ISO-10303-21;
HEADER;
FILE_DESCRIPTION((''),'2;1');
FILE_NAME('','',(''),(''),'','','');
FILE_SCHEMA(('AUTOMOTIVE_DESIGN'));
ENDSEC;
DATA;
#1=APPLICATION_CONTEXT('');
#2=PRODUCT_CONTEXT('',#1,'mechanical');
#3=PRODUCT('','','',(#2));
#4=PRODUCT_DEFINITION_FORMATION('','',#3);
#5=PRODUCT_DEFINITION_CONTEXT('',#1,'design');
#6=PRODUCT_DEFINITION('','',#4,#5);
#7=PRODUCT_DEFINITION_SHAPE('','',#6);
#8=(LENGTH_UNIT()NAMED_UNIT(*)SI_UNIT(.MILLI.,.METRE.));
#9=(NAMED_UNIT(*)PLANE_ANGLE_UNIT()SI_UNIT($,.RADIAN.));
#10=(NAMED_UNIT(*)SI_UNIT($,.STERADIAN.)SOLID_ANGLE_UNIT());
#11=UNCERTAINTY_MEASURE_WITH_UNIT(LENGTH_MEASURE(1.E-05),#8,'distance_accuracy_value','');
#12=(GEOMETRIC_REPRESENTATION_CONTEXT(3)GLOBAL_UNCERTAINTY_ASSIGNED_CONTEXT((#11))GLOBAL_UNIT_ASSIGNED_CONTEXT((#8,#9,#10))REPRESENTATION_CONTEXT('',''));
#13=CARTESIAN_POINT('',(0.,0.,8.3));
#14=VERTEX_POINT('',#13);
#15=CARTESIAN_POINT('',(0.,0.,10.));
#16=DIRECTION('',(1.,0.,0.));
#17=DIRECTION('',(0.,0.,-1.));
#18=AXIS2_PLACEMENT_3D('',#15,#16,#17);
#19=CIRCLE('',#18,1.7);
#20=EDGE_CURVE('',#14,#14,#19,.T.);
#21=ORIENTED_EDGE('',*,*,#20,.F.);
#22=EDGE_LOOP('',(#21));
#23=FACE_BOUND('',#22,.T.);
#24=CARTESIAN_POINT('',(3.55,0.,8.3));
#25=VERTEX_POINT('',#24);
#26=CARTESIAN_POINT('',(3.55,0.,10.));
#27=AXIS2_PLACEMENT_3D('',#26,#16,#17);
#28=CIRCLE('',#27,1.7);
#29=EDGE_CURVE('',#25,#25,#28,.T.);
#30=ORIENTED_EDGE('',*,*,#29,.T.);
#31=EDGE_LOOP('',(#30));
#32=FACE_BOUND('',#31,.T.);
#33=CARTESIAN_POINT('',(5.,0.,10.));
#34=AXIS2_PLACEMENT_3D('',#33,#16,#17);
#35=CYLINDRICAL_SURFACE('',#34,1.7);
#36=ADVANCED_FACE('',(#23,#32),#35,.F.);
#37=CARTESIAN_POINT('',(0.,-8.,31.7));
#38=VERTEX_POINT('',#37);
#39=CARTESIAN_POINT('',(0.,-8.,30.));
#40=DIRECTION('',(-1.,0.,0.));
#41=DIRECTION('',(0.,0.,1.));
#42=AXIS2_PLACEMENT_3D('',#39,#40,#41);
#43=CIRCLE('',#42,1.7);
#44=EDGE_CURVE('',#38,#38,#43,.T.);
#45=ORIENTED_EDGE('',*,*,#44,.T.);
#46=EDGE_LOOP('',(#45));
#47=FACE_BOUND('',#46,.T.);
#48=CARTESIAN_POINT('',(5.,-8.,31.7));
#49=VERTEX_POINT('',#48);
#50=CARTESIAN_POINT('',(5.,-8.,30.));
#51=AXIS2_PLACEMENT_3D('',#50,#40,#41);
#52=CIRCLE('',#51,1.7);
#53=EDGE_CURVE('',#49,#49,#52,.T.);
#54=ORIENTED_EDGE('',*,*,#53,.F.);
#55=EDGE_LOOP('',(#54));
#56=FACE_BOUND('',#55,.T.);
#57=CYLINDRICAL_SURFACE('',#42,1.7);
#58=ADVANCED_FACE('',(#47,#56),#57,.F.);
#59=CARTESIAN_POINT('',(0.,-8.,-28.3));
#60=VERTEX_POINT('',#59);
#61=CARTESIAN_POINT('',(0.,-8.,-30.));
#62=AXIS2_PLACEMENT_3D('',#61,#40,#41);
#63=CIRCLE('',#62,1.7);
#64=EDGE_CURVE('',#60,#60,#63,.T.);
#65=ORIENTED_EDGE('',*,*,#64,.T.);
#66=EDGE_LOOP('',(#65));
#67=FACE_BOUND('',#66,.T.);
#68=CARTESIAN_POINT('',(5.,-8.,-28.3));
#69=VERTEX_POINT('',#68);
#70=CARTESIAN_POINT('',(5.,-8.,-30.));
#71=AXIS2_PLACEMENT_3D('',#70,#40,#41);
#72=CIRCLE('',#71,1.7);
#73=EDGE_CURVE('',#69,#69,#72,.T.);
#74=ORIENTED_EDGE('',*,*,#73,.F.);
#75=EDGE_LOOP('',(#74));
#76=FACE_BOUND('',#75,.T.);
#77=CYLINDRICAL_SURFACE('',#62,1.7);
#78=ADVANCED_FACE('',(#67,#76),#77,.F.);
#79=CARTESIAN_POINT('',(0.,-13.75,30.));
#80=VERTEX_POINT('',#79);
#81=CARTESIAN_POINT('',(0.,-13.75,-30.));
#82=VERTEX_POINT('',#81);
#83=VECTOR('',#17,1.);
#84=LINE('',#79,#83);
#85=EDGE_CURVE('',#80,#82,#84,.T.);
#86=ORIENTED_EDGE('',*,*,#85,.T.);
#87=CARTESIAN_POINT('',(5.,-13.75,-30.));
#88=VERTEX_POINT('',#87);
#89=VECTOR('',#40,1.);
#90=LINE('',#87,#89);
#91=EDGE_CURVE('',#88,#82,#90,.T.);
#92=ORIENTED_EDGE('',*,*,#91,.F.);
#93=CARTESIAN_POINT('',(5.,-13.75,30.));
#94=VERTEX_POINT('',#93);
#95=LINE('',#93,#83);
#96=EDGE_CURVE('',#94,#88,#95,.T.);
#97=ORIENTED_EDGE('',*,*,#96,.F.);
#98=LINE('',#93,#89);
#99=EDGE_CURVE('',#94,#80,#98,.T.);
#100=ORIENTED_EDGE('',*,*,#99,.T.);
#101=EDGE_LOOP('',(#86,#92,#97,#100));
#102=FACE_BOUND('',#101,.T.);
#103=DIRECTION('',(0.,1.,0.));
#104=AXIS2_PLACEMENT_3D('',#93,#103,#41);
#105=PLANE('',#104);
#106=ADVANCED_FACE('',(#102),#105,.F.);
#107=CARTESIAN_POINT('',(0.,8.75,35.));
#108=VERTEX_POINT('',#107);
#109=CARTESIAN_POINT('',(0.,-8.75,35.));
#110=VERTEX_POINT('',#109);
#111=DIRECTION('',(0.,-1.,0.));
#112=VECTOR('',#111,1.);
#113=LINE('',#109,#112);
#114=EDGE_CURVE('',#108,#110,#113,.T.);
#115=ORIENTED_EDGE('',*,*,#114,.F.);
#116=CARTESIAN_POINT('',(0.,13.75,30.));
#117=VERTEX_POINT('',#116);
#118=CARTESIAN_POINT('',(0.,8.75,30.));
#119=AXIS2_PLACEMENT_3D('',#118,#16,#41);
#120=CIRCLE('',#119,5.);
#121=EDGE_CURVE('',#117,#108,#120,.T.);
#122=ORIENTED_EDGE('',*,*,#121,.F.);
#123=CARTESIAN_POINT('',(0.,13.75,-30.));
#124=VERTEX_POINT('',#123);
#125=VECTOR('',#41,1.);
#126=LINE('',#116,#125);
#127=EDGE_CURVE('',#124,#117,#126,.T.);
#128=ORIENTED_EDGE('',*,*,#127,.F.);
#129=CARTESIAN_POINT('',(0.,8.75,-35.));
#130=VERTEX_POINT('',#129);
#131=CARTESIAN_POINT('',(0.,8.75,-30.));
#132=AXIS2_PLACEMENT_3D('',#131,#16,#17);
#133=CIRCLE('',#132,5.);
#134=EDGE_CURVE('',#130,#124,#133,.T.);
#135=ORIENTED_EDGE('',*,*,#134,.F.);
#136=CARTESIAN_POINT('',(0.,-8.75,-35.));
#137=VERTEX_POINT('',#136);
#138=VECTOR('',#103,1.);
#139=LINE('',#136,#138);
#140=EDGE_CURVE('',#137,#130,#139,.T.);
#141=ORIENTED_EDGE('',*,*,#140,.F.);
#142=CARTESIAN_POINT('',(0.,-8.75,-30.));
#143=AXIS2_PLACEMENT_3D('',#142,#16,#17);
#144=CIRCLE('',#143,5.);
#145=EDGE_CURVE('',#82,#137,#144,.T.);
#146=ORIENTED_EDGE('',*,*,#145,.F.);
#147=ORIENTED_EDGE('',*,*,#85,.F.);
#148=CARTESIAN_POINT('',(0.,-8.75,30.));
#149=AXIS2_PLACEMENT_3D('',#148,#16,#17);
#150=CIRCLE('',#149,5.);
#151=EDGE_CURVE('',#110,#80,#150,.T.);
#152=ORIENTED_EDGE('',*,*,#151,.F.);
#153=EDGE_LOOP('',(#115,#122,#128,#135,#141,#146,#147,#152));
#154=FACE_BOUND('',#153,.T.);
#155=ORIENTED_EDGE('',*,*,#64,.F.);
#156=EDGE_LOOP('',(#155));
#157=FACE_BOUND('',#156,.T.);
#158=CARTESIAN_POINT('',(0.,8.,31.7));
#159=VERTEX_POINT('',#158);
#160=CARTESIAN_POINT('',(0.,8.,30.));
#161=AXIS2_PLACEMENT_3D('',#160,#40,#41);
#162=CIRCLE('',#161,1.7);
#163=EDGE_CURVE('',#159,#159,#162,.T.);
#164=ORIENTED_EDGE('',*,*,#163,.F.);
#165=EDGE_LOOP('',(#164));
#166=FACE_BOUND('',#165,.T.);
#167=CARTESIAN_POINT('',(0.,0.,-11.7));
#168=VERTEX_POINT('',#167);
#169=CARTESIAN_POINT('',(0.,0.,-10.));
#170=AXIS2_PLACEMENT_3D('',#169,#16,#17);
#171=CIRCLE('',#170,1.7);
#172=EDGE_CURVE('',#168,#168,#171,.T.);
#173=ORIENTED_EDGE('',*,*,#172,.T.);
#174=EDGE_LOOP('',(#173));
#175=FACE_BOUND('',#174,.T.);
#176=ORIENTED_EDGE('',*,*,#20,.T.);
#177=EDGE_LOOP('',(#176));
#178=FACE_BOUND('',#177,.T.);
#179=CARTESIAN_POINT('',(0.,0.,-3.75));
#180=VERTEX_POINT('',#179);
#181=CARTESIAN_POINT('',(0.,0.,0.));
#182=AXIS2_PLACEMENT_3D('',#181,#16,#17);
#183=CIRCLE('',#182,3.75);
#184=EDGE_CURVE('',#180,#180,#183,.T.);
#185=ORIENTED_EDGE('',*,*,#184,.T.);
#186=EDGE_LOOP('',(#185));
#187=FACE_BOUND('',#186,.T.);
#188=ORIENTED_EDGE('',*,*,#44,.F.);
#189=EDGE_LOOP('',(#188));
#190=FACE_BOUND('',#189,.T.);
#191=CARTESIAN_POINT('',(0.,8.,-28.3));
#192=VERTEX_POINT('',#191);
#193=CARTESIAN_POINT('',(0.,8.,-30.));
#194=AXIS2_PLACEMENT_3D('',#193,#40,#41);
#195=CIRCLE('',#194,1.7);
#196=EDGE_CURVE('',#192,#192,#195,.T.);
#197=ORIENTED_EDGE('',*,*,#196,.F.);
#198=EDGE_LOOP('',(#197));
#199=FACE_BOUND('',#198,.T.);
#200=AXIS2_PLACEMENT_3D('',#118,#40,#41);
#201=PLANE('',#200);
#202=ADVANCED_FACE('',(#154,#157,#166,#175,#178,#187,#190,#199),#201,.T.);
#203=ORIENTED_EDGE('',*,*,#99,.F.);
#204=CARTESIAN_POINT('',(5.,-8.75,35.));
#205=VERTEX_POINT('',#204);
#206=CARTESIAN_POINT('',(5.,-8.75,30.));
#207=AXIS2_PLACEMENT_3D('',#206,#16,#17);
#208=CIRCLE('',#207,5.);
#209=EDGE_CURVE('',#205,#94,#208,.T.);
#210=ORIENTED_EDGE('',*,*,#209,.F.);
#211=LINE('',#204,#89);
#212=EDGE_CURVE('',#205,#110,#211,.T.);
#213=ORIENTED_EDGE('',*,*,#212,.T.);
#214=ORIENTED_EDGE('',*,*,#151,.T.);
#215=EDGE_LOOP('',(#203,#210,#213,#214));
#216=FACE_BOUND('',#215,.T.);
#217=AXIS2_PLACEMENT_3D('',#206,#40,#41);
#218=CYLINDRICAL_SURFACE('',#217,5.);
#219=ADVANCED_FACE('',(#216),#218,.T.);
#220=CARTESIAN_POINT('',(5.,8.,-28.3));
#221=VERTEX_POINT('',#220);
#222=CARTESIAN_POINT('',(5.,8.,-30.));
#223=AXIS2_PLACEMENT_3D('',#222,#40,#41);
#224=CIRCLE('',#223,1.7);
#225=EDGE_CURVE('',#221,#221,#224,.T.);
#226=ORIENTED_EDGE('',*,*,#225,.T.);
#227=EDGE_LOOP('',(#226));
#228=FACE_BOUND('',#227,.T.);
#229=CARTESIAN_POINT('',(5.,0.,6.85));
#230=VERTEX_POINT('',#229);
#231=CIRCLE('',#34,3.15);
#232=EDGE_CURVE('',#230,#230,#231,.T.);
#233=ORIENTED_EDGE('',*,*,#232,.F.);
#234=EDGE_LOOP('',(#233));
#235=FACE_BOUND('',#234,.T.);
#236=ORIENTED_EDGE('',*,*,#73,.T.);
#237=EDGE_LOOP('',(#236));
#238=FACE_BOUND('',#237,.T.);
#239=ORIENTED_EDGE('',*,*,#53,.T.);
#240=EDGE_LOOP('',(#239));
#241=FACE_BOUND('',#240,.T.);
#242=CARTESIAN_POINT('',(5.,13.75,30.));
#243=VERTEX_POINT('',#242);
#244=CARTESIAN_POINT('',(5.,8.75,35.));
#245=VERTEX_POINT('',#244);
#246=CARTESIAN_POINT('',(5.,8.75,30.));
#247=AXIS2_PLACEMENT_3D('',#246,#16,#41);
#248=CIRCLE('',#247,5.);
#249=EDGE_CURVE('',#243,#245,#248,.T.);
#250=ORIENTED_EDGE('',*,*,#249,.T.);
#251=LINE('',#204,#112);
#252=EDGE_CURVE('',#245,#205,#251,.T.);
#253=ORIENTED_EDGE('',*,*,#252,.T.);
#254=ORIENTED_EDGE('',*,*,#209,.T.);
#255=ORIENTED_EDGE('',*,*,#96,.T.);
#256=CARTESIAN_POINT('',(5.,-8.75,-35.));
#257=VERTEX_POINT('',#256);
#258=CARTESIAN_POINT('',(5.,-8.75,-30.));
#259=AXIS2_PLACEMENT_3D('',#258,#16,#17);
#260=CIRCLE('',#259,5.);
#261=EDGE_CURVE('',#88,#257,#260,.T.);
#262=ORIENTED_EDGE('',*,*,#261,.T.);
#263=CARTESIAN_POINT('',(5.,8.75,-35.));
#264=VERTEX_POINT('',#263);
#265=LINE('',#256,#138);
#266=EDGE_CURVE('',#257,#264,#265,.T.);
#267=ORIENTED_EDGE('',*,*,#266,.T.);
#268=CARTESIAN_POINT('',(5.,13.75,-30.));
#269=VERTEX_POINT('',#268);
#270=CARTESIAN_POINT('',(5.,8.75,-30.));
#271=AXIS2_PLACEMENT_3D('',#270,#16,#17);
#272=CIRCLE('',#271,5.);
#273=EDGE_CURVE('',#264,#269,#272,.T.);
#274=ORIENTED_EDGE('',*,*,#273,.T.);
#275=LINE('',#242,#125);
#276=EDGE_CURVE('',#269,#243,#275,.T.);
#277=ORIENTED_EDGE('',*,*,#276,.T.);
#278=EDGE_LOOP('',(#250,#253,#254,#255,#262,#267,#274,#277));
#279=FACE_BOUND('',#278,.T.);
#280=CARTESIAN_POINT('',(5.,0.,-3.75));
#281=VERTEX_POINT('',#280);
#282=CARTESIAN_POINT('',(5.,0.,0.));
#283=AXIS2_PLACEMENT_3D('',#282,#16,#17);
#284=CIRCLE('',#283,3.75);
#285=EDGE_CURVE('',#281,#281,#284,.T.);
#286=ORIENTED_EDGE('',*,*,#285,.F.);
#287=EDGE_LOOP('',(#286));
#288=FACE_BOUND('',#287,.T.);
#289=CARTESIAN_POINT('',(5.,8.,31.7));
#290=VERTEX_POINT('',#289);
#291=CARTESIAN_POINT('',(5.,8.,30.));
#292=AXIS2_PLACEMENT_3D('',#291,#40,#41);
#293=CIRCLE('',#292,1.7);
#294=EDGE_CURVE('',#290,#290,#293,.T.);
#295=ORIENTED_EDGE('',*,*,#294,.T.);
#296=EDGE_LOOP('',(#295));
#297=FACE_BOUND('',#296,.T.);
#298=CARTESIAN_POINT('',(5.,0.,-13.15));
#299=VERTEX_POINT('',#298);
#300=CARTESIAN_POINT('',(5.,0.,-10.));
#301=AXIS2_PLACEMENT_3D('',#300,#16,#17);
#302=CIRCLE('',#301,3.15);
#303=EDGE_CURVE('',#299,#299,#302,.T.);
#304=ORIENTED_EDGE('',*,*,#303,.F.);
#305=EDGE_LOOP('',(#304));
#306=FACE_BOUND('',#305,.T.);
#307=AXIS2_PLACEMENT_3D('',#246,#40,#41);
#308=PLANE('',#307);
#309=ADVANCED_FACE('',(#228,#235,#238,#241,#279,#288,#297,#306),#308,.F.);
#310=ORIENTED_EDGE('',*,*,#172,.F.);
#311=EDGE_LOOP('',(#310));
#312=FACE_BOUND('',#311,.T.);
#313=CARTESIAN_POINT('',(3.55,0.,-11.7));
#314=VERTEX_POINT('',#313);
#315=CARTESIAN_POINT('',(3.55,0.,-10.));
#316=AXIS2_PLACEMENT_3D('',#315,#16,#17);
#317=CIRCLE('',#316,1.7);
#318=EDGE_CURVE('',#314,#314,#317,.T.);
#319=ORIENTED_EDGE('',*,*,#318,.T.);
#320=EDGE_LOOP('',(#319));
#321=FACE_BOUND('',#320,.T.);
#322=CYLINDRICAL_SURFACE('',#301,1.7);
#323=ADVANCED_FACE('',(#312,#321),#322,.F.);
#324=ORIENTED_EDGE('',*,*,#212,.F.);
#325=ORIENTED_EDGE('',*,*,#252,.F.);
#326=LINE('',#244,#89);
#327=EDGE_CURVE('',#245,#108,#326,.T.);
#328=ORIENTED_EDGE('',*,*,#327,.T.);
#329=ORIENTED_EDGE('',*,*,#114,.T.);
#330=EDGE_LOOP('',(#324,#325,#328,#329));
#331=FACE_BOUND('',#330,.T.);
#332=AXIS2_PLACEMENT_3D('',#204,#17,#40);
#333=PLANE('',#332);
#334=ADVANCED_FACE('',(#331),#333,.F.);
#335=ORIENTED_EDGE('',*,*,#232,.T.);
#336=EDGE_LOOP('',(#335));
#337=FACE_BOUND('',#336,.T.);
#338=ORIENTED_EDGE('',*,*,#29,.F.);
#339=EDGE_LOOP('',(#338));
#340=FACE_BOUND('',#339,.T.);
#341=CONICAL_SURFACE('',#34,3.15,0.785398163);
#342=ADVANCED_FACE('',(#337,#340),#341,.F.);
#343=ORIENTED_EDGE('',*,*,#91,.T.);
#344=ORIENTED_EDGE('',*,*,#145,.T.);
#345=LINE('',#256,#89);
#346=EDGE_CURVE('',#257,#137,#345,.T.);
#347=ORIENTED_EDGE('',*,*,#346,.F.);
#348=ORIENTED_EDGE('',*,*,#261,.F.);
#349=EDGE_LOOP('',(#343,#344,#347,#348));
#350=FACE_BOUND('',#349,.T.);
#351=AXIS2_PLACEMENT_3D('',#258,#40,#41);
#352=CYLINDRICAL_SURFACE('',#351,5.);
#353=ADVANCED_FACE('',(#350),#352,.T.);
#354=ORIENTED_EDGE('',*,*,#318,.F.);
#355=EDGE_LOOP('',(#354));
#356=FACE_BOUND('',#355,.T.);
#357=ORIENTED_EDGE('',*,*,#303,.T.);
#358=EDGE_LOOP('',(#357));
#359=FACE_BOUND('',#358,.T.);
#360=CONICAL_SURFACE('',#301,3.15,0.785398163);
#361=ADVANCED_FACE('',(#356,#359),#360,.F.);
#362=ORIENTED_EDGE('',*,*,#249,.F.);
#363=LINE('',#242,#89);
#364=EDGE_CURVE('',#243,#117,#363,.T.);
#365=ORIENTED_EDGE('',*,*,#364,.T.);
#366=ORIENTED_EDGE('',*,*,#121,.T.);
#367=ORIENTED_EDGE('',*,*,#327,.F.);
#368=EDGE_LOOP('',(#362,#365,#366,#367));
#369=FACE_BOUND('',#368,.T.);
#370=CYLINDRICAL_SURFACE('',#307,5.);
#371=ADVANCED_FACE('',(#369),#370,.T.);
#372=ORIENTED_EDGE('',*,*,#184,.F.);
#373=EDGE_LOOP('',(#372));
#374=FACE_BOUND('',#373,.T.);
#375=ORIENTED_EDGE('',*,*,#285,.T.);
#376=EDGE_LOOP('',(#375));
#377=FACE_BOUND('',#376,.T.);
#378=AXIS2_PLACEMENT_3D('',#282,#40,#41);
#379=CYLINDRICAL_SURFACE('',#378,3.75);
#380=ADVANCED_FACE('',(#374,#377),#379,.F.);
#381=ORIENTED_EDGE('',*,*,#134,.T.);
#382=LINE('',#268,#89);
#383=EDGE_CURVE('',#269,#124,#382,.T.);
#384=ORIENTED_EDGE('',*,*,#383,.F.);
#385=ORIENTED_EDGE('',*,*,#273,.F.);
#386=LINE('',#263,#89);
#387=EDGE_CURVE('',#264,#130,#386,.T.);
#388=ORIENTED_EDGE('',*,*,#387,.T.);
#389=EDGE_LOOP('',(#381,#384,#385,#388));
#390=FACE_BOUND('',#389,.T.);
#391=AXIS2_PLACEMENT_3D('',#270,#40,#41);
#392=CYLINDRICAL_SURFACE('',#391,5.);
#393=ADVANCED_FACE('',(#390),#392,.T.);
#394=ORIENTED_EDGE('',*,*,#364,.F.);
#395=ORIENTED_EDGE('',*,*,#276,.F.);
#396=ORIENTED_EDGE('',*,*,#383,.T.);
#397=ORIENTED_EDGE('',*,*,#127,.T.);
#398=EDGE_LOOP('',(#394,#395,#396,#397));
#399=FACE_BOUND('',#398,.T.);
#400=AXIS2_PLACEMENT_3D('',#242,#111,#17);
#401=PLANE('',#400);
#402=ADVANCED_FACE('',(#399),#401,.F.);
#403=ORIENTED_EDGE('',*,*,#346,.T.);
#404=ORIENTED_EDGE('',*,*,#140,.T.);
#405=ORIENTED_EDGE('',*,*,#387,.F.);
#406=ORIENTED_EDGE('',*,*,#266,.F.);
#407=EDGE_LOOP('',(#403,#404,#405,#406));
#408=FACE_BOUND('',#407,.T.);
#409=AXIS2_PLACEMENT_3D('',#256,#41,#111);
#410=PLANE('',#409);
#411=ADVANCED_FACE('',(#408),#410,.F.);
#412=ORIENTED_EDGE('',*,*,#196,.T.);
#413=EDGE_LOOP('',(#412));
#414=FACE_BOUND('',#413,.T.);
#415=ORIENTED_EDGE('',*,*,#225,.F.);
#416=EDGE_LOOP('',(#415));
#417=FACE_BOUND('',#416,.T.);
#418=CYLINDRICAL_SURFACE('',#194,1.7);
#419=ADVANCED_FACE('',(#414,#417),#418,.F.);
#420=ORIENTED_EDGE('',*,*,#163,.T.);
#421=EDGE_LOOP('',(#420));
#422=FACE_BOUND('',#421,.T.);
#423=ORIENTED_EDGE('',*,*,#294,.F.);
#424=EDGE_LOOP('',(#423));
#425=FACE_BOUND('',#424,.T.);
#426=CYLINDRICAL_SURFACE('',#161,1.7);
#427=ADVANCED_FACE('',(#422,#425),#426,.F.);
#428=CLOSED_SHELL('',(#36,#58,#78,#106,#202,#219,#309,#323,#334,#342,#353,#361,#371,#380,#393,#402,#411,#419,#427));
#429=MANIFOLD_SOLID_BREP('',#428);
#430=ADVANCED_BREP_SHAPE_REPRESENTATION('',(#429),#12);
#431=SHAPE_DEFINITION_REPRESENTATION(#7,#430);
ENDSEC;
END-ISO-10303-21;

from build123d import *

# Parameters (mm, degrees)
SKETCH1_R                                           = 3.75
BOSS_EXTRUDE1_DEPTH                                 = 5
CSK_FOR_M3_COUNTERSUNK_FLAT_HEAD_SCREW1_D           = 3.4
CSK_FOR_M3_COUNTERSUNK_FLAT_HEAD_SCREW1_CSINK_D     = 6.3
CSK_FOR_M3_COUNTERSUNK_FLAT_HEAD_SCREW1_CSINK_ANGLE = 90
M3_CLEARANCE_HOLE3_D                                = 3.4
M3_CLEARANCE_HOLE3_DEPTH                            = 5
M3_CLEARANCE_HOLE3_TIP                              = 1.021463052


with BuildPart() as part:
    # Sketch1 → Boss-Extrude1 (new body)
    with BuildSketch(Plane(origin=(0, 0, 0), x_dir=(0, 0, -1), z_dir=(1, 0, 0))):
        with BuildLine():
            Line((-30, -13.75), (30, -13.75))
            ThreePointArc((30, -13.75), (33.535533906, -12.285533906), (35, -8.75))
            Line((35, -8.75), (35, 8.75))
            ThreePointArc((35, 8.75), (33.535533906, 12.285533906), (30, 13.75))
            Line((30, 13.75), (-30, 13.75))
            ThreePointArc((-30, 13.75), (-33.535533906, 12.285533906), (-35, 8.75))
            Line((-35, 8.75), (-35, -8.75))
            ThreePointArc((-35, -8.75), (-33.535533906, -12.285533906), (-30, -13.75))
        make_face()
        Circle(SKETCH1_R, mode=Mode.SUBTRACT)
    extrude(amount=BOSS_EXTRUDE1_DEPTH)

    # CSK for M3 Countersunk Flat Head Screw1 (through all)
    with Locations(Plane(origin=(5, 0, 10), x_dir=(0, 0, 1), z_dir=(1, 0, 0))):
        with Locations((0, 0), (-20, 0)):
            CounterSinkHole(CSK_FOR_M3_COUNTERSUNK_FLAT_HEAD_SCREW1_D / 2, CSK_FOR_M3_COUNTERSUNK_FLAT_HEAD_SCREW1_CSINK_D / 2, counter_sink_angle=CSK_FOR_M3_COUNTERSUNK_FLAT_HEAD_SCREW1_CSINK_ANGLE)

    # M3 Clearance Hole3
    with Locations(Plane(origin=(0, 8, 30), x_dir=(0, 0, -1), z_dir=(-1, 0, 0))):
        with Locations((0, 0), (0, 16), (60, 16), (60, 0)):
            Hole(M3_CLEARANCE_HOLE3_D / 2, depth=M3_CLEARANCE_HOLE3_DEPTH)
            with Locations((0, 0, -(M3_CLEARANCE_HOLE3_DEPTH + M3_CLEARANCE_HOLE3_TIP / 2))):  # 118° drill point
                Cone(0, M3_CLEARANCE_HOLE3_D / 2, M3_CLEARANCE_HOLE3_TIP, mode=Mode.SUBTRACT)


solid = part.part
